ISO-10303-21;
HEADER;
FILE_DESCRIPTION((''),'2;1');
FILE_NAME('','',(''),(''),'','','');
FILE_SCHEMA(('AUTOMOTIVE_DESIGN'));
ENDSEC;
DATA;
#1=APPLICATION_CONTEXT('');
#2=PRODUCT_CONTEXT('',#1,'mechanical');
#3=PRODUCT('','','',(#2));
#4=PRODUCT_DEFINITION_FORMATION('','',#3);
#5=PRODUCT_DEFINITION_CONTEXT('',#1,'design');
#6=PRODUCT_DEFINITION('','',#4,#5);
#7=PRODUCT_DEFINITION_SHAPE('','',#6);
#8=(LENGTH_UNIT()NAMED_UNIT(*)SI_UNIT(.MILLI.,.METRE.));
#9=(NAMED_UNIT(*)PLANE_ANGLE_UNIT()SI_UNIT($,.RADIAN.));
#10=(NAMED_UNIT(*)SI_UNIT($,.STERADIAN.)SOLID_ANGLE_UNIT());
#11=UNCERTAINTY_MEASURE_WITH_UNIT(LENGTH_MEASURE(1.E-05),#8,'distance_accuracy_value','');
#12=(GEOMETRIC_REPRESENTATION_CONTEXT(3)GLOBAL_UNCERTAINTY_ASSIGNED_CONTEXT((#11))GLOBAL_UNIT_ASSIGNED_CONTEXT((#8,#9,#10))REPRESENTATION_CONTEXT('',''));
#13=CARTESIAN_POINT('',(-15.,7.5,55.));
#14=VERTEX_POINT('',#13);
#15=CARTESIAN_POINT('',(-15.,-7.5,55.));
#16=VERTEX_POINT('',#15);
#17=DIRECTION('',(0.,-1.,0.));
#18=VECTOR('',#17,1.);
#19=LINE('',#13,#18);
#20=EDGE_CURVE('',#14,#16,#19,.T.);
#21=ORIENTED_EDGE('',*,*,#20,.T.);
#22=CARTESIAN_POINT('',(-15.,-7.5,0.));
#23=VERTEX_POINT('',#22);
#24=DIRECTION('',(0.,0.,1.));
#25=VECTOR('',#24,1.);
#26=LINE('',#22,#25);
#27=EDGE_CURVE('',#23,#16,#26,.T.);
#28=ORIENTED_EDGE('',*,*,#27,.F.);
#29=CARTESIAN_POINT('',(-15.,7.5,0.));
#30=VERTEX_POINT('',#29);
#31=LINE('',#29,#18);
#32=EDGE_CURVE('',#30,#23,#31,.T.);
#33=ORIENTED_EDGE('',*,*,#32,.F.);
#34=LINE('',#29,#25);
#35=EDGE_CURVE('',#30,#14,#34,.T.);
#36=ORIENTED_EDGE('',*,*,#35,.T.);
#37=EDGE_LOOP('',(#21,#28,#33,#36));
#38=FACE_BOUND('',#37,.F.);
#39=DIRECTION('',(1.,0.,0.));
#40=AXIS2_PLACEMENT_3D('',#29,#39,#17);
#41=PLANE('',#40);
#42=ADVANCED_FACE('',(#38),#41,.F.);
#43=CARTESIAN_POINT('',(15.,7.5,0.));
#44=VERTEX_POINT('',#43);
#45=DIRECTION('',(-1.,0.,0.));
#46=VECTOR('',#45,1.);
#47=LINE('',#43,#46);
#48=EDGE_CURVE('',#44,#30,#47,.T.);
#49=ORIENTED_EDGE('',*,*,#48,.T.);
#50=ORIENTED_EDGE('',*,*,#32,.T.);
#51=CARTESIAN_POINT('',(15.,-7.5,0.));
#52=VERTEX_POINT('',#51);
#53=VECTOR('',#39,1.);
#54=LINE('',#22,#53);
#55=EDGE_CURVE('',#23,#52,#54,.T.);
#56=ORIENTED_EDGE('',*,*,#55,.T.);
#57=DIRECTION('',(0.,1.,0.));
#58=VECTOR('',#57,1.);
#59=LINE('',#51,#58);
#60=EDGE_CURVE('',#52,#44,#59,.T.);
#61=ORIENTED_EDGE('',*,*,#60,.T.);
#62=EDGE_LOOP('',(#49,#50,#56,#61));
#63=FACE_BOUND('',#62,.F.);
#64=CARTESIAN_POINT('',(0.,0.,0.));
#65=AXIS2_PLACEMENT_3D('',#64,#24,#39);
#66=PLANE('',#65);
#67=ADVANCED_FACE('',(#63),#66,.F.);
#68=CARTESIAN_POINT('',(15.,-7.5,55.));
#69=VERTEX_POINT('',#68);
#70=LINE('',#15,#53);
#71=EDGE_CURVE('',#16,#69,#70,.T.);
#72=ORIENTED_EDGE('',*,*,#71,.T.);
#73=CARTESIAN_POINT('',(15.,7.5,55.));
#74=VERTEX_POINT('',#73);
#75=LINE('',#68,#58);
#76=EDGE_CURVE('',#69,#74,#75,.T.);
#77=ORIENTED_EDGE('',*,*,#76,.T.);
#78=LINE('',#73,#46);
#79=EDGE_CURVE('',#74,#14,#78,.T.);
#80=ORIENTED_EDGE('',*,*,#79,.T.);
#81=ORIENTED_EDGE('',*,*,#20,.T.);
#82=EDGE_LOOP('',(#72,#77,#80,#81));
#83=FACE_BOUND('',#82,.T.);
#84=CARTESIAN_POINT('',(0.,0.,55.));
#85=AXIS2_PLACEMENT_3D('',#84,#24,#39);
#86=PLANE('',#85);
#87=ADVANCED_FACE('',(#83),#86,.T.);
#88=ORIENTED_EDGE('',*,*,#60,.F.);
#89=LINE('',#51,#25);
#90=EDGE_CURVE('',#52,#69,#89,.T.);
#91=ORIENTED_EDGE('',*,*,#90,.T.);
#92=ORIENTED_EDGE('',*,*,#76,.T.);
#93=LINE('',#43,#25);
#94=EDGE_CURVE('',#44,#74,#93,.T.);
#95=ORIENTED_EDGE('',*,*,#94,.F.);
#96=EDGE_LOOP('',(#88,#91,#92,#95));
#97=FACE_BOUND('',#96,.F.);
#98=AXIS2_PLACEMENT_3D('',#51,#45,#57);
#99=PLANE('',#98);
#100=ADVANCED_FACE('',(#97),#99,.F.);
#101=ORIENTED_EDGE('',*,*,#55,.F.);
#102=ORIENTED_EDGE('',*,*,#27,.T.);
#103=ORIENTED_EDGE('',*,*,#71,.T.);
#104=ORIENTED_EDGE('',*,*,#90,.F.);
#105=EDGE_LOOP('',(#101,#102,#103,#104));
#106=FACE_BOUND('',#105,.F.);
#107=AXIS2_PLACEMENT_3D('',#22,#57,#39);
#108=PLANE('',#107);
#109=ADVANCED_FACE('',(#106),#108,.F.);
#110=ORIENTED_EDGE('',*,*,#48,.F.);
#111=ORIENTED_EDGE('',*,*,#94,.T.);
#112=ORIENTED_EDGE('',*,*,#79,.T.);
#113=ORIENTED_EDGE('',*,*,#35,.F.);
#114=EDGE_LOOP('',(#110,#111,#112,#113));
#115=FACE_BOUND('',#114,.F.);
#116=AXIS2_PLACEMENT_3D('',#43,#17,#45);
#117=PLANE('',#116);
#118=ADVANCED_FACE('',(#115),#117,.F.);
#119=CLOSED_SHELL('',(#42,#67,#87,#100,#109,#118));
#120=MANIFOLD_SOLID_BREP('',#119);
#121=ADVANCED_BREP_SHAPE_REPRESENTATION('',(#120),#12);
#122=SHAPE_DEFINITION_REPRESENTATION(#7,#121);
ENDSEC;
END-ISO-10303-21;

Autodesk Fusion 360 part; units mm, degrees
sketch "Sketch1" plane through (0, 0, 0) normal (0, 0, 1) x (1, 0, 0)
  line L0 (15, 7.5) -> (-15, 7.5)
  line L1 (-15, 7.5) -> (-15, -7.5)
  line L2 (-15, -7.5) -> (15, -7.5)
  line L3 (15, -7.5) -> (15, 7.5)
  line L4 (15, 7.5) -> (-15, -7.5) construction
  line L5 (-15, 7.5) -> (15, -7.5) construction
  dimension "d1" = 30
  dimension "d2" = 15
extrude "Extrude1" add sketch "Sketch1" along normal blind 55
